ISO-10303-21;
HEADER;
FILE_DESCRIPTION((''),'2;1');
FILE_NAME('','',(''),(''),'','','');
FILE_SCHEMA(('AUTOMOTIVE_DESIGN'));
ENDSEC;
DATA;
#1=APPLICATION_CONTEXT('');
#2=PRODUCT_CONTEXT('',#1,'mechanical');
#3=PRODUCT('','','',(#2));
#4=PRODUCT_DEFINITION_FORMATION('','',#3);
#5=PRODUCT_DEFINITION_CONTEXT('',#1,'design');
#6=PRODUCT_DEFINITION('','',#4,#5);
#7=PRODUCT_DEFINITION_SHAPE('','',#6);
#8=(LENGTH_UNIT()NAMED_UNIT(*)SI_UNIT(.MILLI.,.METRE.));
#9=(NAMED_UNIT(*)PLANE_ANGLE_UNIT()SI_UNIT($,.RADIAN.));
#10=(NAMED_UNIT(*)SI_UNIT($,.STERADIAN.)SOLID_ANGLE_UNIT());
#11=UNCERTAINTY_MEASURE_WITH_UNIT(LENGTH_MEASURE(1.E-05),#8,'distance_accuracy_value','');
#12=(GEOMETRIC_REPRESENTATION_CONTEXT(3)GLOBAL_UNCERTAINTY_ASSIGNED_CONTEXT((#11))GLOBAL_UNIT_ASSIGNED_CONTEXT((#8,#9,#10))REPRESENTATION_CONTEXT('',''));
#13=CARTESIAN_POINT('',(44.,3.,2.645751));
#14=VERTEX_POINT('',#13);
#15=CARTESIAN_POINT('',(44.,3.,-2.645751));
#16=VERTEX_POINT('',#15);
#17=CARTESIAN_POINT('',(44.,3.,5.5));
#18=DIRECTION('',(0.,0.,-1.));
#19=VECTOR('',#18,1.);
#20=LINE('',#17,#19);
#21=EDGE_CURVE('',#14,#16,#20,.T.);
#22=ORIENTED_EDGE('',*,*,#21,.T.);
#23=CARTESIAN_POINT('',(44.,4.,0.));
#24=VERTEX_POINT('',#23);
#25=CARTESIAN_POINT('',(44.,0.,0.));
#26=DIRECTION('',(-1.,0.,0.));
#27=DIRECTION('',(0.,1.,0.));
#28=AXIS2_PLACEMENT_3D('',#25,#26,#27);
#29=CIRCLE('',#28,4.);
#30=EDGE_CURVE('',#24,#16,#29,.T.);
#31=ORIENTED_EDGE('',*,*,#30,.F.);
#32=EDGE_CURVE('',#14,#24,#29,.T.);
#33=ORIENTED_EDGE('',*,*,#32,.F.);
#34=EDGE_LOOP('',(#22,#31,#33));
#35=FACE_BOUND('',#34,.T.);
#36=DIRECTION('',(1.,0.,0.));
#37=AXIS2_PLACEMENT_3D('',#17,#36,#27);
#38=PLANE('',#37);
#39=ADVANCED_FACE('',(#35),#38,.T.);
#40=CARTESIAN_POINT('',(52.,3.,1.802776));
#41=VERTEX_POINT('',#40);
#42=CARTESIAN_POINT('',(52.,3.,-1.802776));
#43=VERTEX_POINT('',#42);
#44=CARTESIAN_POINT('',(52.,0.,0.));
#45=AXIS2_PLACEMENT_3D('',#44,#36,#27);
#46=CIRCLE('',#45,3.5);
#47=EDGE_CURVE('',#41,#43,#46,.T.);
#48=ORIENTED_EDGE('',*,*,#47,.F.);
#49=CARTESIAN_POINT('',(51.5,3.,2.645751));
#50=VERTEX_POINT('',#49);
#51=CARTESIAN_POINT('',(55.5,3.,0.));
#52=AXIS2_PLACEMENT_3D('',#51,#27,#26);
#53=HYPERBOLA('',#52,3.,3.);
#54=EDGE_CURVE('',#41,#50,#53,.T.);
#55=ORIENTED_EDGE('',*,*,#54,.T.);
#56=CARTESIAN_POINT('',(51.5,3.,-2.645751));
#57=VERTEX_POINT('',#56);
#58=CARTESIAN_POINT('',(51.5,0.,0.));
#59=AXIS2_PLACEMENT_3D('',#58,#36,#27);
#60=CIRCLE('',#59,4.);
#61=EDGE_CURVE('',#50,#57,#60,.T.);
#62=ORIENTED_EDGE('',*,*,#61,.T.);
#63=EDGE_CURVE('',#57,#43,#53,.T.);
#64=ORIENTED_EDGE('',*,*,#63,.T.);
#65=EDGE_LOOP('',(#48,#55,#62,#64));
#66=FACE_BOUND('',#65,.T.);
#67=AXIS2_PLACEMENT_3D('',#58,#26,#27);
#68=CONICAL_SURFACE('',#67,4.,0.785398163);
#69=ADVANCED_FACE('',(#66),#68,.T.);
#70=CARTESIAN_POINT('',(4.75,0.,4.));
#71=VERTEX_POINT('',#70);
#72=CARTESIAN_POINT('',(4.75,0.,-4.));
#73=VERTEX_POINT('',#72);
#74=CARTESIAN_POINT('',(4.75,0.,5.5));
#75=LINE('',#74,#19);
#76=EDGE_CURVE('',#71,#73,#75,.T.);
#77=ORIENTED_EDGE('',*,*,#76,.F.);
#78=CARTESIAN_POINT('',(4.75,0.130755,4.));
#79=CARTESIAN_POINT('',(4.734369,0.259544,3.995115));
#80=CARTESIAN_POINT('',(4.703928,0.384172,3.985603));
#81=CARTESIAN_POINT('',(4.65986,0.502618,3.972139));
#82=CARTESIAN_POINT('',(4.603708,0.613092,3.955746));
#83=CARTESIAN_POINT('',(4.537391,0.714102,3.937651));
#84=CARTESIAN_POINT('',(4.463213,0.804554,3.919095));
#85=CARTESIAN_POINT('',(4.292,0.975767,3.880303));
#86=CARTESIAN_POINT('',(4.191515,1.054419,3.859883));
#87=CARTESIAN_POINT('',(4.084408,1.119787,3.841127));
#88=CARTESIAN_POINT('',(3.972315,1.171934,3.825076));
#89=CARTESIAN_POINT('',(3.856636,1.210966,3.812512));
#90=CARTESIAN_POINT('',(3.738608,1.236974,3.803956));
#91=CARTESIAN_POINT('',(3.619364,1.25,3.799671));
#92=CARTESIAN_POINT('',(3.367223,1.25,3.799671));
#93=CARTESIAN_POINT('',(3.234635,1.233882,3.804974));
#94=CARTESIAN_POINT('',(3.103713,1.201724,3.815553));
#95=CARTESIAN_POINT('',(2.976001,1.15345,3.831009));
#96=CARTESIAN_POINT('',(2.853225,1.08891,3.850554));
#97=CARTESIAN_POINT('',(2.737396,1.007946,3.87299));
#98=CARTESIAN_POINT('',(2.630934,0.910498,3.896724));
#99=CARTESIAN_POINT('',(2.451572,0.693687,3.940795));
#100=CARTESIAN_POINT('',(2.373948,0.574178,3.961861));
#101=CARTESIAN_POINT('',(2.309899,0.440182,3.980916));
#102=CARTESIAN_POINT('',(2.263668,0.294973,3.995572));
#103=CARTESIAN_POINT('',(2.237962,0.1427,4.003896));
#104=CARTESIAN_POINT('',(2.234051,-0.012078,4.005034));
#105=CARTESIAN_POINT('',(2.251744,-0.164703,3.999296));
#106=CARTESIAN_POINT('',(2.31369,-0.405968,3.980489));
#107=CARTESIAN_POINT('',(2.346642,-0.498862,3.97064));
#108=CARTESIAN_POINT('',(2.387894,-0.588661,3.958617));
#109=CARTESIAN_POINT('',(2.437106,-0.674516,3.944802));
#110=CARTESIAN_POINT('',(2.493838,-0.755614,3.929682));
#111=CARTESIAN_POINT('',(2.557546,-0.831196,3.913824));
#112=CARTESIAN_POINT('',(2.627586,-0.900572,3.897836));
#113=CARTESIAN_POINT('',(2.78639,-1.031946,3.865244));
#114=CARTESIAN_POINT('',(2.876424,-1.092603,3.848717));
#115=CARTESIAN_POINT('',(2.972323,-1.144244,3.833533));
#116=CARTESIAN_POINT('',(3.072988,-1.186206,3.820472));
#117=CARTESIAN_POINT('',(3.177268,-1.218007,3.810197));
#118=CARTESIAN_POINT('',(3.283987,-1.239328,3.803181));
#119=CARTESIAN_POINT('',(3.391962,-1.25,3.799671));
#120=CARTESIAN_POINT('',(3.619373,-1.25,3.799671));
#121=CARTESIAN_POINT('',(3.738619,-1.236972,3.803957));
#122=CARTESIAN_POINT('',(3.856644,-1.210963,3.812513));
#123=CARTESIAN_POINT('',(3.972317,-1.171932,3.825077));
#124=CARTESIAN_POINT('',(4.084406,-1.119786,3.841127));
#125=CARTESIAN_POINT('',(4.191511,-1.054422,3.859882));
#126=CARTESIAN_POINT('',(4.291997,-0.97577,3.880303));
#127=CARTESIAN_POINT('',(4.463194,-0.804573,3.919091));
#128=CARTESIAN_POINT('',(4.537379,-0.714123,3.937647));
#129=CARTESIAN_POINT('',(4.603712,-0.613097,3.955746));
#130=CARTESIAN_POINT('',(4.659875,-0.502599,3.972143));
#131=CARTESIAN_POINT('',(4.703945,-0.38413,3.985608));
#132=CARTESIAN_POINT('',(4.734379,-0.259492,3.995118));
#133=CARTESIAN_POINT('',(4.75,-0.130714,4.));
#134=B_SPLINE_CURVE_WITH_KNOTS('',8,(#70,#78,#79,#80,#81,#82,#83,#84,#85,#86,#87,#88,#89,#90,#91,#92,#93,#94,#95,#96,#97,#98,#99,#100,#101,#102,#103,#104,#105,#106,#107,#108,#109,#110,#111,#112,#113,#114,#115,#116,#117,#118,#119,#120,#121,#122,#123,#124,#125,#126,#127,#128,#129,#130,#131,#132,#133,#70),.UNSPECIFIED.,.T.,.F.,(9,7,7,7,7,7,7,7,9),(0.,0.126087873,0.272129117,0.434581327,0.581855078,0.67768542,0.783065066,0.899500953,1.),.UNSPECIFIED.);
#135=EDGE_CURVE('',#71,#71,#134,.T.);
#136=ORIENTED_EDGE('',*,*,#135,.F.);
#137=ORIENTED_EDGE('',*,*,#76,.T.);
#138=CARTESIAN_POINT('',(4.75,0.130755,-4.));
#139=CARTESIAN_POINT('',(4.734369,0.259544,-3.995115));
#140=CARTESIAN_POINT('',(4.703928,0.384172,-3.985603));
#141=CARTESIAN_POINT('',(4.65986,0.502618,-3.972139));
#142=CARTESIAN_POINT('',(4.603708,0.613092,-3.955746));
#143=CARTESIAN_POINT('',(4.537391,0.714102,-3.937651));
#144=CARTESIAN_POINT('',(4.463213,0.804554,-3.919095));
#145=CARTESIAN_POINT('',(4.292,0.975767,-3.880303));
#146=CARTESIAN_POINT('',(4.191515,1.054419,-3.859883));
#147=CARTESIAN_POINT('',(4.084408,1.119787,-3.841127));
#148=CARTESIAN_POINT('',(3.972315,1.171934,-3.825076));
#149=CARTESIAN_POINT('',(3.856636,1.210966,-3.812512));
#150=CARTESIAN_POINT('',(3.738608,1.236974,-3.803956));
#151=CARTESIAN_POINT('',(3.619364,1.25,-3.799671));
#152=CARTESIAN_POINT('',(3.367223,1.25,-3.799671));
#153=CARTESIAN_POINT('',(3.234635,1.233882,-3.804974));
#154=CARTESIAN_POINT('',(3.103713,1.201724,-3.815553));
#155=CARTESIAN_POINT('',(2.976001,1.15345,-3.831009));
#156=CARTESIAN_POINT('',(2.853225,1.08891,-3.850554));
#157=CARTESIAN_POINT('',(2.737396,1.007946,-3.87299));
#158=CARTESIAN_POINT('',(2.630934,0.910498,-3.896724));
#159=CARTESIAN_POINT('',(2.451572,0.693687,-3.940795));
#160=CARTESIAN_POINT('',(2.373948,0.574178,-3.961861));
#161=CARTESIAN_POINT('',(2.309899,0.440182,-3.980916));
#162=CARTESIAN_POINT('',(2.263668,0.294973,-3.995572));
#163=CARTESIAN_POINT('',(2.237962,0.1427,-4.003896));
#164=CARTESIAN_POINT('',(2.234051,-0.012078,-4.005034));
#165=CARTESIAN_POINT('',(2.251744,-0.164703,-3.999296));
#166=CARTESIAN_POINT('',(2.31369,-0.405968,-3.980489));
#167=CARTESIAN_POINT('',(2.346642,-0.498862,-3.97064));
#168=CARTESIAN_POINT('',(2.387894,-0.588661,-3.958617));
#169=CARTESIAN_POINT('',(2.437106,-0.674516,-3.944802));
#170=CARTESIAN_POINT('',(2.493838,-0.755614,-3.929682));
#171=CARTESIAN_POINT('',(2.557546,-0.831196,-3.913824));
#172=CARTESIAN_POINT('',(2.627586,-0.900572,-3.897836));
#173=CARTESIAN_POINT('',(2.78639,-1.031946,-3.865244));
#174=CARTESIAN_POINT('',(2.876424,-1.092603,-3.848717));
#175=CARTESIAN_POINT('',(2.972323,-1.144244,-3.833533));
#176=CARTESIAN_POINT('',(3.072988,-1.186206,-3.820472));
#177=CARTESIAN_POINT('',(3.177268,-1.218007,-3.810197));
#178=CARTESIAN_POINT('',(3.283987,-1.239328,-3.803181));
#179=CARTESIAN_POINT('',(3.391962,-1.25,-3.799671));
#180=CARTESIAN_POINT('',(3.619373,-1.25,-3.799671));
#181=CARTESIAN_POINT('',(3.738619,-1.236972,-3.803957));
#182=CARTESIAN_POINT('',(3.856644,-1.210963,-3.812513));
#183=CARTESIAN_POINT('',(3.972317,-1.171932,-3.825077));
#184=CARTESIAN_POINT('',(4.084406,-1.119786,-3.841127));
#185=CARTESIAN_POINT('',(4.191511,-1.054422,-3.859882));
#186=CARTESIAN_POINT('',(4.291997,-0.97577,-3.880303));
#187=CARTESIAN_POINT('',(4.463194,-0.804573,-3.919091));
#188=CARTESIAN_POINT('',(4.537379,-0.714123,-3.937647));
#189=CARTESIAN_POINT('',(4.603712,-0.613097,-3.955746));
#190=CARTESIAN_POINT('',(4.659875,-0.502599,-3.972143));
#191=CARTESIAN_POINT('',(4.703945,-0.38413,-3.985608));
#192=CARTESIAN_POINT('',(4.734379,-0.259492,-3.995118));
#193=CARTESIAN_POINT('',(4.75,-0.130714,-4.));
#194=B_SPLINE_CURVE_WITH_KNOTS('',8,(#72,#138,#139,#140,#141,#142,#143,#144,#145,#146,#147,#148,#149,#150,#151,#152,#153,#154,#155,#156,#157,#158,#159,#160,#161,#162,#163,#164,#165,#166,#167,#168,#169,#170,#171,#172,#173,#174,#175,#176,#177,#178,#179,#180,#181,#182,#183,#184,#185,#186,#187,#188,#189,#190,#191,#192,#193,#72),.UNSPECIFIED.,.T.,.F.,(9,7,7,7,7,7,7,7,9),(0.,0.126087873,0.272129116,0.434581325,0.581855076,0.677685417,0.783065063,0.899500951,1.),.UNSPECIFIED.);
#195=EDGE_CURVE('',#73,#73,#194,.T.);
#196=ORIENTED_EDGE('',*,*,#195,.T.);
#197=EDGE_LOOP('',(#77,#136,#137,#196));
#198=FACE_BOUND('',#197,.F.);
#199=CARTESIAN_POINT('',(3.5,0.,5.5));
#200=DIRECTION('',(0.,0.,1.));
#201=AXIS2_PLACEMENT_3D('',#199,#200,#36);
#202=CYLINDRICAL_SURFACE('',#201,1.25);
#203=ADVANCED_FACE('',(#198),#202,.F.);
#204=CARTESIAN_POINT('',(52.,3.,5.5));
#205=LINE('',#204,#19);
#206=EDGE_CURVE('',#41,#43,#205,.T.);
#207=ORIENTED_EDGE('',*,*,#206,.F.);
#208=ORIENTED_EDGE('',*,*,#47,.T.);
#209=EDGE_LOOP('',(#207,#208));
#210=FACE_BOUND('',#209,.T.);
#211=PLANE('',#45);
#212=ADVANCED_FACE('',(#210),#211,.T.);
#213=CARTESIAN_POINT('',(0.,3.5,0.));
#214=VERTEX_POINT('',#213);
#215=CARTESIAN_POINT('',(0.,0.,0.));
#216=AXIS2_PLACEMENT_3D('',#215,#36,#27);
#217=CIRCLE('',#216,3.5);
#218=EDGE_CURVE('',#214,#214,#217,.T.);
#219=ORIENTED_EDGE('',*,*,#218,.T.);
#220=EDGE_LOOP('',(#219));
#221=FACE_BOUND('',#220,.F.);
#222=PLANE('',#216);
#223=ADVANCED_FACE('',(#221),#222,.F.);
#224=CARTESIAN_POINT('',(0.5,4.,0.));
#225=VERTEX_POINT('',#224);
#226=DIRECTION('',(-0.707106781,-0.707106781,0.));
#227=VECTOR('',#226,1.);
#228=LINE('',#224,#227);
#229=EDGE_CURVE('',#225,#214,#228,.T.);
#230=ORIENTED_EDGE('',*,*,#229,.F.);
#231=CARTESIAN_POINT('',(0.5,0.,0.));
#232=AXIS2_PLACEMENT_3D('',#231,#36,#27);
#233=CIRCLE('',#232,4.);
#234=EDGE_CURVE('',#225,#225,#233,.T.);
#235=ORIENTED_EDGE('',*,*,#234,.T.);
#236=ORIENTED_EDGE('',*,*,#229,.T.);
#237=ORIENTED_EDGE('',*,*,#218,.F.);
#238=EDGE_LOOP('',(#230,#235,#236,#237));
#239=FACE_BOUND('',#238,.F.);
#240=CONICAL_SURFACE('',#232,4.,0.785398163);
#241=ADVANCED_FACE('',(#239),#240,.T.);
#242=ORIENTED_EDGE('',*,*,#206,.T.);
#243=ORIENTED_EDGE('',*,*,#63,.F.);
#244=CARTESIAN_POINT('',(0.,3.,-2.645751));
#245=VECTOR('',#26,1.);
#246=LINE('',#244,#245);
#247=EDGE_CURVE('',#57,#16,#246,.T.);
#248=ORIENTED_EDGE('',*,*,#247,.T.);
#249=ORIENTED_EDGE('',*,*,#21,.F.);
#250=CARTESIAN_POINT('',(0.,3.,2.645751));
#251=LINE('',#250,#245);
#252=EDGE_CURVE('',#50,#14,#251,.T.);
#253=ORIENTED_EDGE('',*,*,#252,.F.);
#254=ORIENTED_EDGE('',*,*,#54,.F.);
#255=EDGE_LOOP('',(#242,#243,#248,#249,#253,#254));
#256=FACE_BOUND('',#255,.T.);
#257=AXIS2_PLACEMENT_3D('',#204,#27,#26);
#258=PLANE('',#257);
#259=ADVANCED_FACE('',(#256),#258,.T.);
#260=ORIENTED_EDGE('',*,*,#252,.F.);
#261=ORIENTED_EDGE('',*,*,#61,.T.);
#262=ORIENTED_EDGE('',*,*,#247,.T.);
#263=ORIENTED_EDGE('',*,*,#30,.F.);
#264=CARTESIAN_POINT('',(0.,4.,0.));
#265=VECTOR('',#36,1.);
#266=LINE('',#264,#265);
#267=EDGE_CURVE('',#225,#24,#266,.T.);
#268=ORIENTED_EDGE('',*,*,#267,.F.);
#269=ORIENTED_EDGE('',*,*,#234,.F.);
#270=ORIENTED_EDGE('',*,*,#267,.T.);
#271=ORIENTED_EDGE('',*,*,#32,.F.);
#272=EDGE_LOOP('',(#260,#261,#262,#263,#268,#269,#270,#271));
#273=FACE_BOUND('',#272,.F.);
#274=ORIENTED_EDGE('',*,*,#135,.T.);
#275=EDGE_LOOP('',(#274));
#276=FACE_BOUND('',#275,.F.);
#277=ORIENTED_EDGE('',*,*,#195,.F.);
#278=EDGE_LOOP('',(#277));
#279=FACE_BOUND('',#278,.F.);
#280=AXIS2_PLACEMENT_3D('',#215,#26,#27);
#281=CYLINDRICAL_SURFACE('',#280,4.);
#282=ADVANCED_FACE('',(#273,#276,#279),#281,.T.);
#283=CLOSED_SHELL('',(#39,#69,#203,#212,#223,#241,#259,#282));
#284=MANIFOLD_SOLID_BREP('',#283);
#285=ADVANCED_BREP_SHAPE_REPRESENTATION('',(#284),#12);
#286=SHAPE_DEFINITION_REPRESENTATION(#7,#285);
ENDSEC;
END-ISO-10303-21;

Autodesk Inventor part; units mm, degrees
ref_plane "YZ Plane" through (0, 0, 0) normal (1, 0, 0) x (0, 1, 0)
ref_plane "XZ Plane" through (0, 0, 0) normal (0, 1, 0) x (-1, 0, 0)
sketch "Sketch1" plane through (0, 0, 0) normal (1, 0, 0) x (0, 1, 0)
  circle A0 centre (0, 0) radius 4
  dimension "d0" = 8
extrude "Extrusion1" add sketch "Sketch1" along normal blind 52
chamfer "Chamfer1" distance 0.5 angle 45 2 edges at (0, -4, 0) (52, -4, 0)
ref_plane "Work Plane1" through (0, 0, 5.5) normal (0, 0, 1) x (1, 0, 0)
sketch "Sketch2" plane through (0, 0, 5.5) normal (0, 0, 1) x (1, 0, 0)
  line L0 (0, 0) -> (3.5, 0) construction
  circle A0 centre (3.5, 0) radius 1.25
  dimension "d7" = 3.5
  dimension "d8" = 2.5
extrude "Extrusion2" cut sketch "Sketch2" against normal blind 52
sketch "Sketch3" plane through (0, 0, 5.5) normal (0, 0, 1) x (1, 0, 0)
  line L0 (52, 3.5) -> (52, -3.5) construction
  line L1 (52, 0) -> (52, 3) construction
  line L2 (52, 3) -> (44, 3) construction
  line L3 (44, 3) -> (44, 4) construction
  line L4 (0.5, 4) -> (51.5, 4) construction
  line L5 (44, 4) -> (52, 4)
  line L6 (52, 4) -> (52, 3)
  line L7 (52, 3) -> (44, 3)
  line L8 (44, 3) -> (44, 4)
  point P0 (0, 0)
  dimension "d11" = 3
  dimension "d12" = 8
extrude "Extrusion3" cut sketch "Sketch3" against normal blind 52
properties part number "Crankshaft outer rod" material "Steel, Alloy"
